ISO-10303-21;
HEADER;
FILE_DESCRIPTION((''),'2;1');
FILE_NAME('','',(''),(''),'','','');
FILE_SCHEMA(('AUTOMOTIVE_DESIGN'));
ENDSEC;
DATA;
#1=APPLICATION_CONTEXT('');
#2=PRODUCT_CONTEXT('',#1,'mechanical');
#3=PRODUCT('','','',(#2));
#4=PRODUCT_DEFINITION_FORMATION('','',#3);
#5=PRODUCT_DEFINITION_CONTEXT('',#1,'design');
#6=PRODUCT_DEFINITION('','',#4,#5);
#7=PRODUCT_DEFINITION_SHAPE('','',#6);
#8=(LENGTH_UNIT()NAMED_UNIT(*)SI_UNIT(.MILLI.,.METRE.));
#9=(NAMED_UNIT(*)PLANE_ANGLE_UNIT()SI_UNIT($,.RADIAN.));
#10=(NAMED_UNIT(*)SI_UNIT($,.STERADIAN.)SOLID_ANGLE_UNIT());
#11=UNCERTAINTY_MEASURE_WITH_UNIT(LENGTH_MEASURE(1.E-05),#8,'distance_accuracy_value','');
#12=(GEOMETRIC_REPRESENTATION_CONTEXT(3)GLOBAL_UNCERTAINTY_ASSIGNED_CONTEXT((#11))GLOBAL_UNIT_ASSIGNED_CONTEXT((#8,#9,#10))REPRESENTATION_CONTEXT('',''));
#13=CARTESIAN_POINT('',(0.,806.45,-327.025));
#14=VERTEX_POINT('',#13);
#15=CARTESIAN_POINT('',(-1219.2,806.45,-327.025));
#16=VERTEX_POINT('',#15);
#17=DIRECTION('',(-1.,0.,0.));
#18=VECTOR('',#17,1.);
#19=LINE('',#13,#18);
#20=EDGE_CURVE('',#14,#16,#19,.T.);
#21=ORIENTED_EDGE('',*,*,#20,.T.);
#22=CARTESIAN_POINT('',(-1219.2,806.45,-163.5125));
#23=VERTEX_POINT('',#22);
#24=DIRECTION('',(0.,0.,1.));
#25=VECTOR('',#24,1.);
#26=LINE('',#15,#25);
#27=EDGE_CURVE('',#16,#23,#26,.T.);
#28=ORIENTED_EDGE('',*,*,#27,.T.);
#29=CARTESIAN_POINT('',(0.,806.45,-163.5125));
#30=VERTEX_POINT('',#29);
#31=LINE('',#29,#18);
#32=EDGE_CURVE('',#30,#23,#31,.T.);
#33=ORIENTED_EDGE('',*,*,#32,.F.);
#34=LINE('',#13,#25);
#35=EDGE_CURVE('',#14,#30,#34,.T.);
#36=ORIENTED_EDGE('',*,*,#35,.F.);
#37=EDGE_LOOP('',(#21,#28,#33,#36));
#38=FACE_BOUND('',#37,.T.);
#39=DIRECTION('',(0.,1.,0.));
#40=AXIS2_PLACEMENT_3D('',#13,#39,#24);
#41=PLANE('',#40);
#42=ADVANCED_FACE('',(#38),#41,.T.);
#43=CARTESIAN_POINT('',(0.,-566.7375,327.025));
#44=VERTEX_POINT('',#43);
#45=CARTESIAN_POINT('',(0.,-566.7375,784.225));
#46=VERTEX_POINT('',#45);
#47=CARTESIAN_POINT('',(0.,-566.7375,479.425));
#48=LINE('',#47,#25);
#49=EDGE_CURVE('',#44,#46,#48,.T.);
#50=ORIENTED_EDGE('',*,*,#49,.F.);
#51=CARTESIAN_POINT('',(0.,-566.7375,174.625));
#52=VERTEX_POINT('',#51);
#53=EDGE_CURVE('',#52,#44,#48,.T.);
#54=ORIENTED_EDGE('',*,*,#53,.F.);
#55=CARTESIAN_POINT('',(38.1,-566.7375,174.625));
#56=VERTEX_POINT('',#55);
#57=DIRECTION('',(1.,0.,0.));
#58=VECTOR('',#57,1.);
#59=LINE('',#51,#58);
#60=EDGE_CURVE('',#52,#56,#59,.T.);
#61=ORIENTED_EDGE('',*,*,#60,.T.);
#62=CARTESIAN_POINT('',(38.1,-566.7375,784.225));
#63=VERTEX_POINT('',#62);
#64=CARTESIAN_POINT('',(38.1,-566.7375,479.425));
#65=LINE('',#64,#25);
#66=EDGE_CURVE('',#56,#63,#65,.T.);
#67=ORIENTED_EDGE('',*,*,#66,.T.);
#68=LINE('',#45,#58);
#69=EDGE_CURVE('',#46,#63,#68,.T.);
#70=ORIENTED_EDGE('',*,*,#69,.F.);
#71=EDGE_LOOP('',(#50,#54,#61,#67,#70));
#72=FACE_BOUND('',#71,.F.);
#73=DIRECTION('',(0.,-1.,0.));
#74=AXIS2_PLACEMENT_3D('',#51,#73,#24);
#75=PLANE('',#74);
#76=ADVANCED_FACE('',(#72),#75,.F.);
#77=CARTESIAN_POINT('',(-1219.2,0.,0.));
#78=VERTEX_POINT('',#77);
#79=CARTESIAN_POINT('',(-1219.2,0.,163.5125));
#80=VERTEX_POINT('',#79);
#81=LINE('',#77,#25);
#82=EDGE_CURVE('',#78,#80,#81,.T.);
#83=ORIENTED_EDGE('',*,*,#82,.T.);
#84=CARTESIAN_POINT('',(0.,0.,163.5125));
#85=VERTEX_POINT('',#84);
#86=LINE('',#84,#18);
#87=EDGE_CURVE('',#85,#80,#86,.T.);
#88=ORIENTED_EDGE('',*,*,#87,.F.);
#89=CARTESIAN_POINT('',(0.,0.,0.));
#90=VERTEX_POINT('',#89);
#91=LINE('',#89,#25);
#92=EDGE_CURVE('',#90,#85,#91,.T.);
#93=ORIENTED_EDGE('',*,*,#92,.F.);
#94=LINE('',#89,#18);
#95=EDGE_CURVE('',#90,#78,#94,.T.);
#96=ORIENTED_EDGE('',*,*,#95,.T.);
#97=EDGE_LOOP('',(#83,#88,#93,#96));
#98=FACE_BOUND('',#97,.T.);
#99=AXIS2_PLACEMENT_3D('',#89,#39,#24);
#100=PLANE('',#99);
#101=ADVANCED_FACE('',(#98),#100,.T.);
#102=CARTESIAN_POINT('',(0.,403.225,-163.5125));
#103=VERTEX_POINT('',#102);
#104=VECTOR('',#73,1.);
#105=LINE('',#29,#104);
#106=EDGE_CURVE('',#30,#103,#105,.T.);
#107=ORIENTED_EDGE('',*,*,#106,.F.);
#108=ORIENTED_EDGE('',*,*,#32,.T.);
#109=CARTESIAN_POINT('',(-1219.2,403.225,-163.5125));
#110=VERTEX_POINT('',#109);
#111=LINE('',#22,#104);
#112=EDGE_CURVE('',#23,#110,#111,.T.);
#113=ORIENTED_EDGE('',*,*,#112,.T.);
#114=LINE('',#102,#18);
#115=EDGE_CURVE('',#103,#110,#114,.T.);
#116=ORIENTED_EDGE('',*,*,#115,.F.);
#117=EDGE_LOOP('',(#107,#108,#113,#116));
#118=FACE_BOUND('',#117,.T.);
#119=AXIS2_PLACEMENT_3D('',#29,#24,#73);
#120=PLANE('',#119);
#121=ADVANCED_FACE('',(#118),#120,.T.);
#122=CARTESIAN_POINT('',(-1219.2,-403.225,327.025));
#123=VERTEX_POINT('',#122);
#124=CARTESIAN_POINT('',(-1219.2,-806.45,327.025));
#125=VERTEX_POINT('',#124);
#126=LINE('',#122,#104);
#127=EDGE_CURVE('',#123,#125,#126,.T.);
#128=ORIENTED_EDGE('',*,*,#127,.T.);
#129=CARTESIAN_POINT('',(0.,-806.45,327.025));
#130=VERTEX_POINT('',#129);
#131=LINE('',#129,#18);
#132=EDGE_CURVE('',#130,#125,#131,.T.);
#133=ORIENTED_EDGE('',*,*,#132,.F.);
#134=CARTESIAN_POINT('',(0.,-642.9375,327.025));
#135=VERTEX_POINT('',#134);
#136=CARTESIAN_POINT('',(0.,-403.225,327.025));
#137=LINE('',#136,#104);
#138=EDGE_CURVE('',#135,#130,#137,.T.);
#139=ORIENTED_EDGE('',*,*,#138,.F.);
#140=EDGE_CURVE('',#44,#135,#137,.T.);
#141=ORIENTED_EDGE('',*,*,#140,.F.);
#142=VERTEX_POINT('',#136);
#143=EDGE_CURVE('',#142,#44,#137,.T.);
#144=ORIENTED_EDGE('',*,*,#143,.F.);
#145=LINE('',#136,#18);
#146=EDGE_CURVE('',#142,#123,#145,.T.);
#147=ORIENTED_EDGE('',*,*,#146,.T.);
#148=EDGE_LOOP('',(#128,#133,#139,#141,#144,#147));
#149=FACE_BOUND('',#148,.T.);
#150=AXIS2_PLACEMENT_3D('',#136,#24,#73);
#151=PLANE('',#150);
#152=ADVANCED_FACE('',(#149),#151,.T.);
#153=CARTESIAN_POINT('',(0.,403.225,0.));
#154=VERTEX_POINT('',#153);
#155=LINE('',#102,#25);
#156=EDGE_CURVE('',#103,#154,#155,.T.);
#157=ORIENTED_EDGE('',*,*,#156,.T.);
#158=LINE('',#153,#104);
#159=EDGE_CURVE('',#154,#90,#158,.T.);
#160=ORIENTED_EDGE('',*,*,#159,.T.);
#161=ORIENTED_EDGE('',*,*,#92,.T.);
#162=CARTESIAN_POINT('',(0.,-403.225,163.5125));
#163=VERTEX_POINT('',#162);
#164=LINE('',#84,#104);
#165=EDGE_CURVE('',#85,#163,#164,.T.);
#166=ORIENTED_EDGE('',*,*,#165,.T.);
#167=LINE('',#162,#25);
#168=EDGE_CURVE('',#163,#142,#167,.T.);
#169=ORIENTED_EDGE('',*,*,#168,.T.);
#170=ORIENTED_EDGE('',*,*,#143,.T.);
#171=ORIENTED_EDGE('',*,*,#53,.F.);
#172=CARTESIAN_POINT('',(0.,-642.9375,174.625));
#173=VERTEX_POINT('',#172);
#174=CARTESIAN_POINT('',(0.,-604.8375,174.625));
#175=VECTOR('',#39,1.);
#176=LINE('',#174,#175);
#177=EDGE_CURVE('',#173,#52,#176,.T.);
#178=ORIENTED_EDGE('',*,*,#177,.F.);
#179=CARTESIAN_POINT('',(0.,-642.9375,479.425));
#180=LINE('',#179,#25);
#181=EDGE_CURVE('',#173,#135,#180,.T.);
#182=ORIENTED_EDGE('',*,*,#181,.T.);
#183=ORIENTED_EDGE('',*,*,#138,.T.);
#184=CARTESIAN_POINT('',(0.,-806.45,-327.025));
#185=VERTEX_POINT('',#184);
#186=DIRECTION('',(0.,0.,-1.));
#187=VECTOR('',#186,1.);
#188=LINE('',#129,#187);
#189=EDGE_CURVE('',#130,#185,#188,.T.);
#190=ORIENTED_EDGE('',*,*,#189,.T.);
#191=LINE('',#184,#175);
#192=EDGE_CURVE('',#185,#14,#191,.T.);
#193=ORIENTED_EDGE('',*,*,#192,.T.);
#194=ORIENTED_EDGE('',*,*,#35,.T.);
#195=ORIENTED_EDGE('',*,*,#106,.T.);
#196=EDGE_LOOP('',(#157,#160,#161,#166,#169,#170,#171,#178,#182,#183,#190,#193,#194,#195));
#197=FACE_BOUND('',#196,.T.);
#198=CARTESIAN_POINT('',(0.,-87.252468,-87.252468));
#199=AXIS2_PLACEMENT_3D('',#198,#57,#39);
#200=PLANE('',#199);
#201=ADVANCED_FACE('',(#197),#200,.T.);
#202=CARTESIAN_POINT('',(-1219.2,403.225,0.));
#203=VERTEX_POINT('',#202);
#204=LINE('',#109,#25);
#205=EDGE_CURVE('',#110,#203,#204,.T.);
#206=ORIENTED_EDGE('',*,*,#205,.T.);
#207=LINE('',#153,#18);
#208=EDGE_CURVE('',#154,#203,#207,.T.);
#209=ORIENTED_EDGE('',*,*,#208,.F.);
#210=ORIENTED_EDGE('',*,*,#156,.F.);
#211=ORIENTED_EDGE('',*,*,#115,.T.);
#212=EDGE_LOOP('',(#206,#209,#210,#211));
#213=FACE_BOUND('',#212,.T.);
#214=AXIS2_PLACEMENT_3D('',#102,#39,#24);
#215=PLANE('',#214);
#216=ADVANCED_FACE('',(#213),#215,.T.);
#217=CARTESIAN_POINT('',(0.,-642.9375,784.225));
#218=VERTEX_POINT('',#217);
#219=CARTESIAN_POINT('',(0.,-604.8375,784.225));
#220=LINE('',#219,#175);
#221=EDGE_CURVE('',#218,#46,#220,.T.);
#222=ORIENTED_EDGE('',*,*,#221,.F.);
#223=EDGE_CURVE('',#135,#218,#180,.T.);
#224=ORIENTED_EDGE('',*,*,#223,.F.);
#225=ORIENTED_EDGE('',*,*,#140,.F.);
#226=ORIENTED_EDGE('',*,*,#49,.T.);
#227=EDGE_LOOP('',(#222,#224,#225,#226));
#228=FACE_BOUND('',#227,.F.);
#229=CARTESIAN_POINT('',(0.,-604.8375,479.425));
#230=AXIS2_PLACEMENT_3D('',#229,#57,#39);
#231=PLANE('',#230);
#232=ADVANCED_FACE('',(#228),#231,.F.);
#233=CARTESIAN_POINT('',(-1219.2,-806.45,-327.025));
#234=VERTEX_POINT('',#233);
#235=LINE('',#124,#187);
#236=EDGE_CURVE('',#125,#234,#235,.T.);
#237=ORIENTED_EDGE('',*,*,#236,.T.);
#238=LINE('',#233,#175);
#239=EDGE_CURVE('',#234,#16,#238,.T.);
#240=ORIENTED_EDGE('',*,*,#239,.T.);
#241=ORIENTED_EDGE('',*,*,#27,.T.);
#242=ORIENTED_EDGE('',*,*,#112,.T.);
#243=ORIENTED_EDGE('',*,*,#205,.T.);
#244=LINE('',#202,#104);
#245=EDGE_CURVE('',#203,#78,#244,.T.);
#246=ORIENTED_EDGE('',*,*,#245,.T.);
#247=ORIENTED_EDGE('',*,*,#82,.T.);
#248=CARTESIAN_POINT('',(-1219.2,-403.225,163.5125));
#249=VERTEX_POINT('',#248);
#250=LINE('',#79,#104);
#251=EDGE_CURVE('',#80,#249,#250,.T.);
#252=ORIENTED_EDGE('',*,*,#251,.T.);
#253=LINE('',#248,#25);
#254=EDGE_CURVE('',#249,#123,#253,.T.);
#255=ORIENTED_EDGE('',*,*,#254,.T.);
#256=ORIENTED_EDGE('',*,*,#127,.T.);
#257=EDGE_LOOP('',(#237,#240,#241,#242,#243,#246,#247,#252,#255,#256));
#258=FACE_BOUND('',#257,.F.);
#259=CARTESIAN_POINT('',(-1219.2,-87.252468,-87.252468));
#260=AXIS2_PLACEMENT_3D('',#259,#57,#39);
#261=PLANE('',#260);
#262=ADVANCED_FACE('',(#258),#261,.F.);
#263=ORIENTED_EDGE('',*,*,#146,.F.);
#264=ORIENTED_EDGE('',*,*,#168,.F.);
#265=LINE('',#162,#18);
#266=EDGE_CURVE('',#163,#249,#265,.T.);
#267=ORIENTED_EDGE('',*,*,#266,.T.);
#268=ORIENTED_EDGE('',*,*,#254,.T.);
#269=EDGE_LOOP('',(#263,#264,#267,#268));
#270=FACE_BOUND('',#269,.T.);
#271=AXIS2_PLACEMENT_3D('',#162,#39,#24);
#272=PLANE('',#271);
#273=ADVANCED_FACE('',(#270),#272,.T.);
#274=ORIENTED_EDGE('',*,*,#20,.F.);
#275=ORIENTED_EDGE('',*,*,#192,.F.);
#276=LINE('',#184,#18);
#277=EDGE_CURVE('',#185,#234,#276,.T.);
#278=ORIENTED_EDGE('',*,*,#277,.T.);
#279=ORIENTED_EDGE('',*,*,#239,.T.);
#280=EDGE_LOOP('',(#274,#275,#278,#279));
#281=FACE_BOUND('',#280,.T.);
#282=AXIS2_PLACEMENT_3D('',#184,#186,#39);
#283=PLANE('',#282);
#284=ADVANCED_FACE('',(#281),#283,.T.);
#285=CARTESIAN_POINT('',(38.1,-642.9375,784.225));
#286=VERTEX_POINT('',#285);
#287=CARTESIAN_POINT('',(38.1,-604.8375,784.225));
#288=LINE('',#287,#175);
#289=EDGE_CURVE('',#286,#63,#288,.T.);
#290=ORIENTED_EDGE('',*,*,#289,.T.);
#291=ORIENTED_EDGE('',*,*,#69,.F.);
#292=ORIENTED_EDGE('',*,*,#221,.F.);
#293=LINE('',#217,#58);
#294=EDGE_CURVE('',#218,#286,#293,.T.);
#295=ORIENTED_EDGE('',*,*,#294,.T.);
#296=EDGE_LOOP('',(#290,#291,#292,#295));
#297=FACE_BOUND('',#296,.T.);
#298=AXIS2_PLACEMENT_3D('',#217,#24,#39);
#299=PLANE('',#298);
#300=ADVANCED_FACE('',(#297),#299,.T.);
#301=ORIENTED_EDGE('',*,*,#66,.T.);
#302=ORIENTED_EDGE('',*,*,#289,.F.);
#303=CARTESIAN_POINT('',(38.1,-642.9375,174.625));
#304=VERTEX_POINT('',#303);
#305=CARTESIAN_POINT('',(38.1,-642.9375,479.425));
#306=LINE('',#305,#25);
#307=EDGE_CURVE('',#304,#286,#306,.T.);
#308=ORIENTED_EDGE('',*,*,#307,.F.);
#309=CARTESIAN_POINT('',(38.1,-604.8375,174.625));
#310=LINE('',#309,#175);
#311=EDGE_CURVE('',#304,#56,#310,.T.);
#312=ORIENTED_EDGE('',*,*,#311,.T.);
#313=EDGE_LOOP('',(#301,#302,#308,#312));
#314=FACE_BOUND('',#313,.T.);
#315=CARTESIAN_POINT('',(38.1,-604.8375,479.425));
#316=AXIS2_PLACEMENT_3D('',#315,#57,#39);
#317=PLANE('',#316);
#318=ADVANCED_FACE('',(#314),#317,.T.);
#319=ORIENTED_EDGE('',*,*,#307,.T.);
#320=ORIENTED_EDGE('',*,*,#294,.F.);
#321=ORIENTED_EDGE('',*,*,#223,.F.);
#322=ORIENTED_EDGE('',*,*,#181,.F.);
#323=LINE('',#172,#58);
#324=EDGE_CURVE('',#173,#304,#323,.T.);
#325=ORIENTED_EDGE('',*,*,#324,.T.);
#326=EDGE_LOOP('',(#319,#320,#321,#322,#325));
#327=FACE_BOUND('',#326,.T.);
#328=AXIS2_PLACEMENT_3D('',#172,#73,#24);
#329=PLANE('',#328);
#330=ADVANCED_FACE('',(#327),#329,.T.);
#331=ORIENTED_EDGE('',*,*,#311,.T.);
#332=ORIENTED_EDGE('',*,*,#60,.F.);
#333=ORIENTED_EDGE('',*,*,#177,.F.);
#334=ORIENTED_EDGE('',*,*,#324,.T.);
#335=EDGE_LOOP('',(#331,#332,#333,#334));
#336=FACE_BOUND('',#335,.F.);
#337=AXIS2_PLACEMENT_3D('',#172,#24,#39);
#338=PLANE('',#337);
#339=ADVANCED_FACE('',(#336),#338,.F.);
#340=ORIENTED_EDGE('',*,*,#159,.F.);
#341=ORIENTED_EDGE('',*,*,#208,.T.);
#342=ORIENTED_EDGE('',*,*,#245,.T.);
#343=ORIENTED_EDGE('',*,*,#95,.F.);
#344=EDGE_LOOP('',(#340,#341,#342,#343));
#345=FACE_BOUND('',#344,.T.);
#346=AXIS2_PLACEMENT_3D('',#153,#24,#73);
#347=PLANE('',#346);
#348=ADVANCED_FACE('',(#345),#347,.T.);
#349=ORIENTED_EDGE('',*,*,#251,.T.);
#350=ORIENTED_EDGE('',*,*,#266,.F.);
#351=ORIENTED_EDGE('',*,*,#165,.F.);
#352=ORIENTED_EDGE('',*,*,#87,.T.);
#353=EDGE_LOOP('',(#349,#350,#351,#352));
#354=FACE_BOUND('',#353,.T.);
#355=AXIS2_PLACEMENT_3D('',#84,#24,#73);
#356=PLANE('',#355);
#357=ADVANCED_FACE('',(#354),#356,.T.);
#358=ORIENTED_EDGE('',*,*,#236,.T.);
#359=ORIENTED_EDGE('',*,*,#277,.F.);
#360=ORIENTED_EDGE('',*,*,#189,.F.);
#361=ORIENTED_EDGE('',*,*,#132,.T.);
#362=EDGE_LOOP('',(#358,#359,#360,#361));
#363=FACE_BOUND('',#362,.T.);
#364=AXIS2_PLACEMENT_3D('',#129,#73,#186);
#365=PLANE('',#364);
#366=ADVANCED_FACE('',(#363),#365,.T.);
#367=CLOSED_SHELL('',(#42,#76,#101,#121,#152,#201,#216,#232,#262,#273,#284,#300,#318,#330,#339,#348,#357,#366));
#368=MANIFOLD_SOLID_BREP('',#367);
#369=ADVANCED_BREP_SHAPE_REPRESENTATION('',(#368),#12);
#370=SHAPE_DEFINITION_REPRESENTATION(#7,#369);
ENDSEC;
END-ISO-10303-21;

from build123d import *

# Parameters (mm, degrees)
F1_DEPTH = 1219.2
F2_W     = 76.2
F2_H     = 609.6
F3_DEPTH = 38.1


with BuildPart() as f1:
    # F0 (on Right) → F1 (new body)
    with BuildSketch(Plane.YZ):
        Polygon((-806.45, 327.025), (-806.45, -327.025), (806.45, -327.025), (806.45, -163.5125), (403.225, -163.5125), (403.225, 0), (0, 0), (0, 163.5125), (-403.225, 163.5125), (-403.225, 327.025), align=None)
    extrude(amount=-F1_DEPTH)

    # F2 (on face) → F3 (join)
    with BuildSketch(Plane.YZ):
        with Locations((-604.8375, 479.425)):
            Rectangle(F2_W, F2_H)
    extrude(amount=F3_DEPTH)


solid = f1.part
